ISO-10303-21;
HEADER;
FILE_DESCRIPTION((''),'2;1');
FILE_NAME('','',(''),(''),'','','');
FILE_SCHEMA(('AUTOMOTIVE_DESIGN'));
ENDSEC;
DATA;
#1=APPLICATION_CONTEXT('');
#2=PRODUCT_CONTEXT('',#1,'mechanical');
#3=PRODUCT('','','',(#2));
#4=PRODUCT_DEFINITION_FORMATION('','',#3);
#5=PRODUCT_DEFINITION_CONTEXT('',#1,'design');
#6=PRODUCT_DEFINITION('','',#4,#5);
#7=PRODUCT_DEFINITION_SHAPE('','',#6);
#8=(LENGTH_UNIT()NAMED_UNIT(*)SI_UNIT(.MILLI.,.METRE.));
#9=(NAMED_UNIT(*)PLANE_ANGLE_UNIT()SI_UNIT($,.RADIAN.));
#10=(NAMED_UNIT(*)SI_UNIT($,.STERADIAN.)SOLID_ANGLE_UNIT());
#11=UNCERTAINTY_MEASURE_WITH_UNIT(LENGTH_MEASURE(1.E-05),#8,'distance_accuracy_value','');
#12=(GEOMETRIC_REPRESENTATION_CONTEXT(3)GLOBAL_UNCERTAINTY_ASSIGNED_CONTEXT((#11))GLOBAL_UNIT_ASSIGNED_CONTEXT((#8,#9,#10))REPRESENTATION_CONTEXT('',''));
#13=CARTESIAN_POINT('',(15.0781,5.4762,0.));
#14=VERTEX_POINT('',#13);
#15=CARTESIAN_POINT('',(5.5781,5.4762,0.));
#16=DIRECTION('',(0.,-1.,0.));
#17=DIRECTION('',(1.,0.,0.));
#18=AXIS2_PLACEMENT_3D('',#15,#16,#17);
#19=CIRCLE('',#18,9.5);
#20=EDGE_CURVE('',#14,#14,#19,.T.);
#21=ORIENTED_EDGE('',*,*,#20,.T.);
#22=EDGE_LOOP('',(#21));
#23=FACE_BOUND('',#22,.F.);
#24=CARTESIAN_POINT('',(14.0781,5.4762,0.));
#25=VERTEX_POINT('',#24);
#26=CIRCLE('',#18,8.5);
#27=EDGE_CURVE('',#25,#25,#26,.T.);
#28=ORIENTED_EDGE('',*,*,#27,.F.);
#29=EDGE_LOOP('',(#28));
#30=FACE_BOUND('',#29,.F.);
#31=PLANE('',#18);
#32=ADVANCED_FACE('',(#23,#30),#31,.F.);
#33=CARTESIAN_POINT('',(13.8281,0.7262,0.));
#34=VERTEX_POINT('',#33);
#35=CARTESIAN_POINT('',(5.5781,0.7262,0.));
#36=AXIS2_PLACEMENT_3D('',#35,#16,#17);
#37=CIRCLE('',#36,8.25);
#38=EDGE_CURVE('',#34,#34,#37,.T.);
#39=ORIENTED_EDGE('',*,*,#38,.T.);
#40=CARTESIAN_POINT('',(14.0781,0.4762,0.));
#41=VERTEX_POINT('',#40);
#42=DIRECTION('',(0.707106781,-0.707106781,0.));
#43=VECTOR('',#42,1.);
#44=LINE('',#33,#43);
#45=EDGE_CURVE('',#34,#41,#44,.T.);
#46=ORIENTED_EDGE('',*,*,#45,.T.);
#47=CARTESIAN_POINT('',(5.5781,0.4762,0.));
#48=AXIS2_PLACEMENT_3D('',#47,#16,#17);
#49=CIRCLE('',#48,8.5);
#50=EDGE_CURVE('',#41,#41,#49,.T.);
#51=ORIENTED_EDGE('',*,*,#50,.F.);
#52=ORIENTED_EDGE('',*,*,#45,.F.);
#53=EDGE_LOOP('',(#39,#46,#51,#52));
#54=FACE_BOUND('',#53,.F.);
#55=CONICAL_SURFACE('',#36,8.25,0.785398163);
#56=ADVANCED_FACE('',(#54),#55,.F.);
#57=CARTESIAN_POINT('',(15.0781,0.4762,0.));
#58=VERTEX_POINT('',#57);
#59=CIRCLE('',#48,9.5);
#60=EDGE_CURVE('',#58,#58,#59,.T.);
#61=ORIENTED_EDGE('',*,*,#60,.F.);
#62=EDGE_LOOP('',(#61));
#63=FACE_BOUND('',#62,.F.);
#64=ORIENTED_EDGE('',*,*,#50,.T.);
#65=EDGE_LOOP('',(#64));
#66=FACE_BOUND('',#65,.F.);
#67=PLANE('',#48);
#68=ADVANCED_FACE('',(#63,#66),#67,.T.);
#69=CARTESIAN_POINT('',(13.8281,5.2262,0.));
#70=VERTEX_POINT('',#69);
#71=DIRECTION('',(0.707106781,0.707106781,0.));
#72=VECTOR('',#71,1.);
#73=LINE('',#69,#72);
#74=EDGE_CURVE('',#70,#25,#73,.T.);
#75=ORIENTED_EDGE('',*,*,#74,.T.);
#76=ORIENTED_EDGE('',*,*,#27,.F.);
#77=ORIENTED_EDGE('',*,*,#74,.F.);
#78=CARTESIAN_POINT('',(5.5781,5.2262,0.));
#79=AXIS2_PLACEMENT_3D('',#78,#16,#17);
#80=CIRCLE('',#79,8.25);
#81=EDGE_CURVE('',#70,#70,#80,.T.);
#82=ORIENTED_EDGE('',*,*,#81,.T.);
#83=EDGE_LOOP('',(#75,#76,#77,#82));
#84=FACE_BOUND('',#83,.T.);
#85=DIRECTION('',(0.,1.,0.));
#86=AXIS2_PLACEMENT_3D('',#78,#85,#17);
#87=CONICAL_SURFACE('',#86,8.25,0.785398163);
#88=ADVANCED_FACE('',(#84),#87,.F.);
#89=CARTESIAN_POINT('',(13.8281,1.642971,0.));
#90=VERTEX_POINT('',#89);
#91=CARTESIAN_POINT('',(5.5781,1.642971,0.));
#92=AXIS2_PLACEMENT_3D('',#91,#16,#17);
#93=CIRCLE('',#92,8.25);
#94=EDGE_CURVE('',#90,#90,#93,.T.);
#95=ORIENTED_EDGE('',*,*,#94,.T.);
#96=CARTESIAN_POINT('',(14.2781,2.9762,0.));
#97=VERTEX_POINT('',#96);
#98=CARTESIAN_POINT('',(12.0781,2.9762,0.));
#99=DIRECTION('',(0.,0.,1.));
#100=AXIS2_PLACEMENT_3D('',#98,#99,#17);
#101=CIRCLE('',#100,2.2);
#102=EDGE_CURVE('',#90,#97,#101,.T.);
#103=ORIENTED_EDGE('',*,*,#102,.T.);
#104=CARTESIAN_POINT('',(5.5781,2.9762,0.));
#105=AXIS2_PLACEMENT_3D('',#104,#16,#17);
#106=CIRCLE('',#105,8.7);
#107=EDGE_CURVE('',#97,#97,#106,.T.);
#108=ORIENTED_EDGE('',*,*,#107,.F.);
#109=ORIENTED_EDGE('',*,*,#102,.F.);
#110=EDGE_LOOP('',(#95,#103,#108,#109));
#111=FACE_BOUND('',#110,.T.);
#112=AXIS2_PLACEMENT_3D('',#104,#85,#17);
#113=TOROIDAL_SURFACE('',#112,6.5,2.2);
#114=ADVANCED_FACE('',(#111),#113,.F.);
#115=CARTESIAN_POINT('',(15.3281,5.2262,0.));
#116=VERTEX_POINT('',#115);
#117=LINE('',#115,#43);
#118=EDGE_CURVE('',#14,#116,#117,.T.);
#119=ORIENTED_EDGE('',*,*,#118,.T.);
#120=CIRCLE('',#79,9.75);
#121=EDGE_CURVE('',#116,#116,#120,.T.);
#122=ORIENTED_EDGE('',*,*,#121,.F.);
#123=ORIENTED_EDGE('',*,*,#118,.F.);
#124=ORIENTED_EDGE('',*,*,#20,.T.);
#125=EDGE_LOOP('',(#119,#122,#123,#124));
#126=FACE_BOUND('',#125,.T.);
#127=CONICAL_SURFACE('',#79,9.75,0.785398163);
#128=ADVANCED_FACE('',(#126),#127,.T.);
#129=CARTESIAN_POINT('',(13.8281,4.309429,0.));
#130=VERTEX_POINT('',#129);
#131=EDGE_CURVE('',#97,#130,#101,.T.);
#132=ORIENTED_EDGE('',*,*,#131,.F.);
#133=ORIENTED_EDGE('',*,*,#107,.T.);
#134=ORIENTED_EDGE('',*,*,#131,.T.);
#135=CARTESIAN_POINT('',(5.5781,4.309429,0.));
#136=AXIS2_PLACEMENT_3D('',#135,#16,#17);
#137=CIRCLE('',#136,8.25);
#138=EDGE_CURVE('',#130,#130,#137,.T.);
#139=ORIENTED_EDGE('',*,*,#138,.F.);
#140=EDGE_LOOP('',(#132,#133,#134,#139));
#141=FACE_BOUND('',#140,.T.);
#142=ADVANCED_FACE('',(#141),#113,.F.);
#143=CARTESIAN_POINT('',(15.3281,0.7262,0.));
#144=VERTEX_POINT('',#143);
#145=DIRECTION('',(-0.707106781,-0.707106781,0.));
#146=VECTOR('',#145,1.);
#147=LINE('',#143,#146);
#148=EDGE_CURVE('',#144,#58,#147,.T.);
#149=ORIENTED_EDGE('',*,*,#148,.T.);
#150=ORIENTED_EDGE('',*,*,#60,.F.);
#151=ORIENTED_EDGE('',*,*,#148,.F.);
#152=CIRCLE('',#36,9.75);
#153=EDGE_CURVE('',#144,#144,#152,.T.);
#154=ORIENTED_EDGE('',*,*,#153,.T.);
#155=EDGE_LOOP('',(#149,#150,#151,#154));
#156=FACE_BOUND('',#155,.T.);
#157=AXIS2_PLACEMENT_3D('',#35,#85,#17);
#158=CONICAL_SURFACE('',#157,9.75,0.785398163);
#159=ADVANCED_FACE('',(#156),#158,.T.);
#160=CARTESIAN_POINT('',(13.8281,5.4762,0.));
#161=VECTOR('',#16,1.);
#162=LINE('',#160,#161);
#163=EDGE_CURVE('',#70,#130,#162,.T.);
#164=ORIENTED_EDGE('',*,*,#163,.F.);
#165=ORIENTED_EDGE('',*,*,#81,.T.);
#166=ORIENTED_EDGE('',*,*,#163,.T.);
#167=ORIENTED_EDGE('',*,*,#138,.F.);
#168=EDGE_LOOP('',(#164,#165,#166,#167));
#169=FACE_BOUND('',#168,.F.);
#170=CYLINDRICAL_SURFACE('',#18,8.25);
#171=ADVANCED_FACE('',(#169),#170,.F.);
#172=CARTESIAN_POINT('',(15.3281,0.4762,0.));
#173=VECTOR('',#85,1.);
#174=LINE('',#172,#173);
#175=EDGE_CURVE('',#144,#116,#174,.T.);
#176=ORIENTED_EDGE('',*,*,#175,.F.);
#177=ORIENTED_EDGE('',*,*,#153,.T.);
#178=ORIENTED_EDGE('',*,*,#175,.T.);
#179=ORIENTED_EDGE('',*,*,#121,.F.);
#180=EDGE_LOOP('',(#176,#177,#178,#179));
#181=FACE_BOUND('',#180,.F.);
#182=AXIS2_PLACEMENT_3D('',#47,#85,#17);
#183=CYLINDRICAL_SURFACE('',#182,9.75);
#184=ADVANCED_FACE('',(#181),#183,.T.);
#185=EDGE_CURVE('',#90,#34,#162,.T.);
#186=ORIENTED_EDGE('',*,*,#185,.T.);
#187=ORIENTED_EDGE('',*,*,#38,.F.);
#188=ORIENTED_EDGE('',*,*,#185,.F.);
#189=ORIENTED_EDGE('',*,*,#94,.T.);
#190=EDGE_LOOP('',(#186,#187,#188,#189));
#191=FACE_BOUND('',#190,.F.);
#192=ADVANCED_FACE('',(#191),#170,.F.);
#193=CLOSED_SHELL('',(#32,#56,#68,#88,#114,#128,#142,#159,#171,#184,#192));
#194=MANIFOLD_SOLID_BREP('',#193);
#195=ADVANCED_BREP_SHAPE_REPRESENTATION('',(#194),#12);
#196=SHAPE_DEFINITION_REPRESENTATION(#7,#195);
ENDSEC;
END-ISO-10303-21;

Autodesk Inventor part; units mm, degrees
ref_plane "YZ Plane" through (0, 0, 0) normal (1, 0, 0) x (0, 1, 0)
ref_plane "XZ Plane" through (0, 0, 0) normal (0, 1, 0) x (-1, 0, 0)
ref_plane "XY Plane" through (0, 0, 0) normal (0, 0, 1) x (1, 0, 0)
sketch "Sketch1" plane through (0, 0, 0) normal (0, 0, 1) x (1, 0, 0)
  line L0 (9.5781, 5.4762) -> (1.5781, 5.4762) construction
  line L1 (9.5781, 0.4762) -> (1.5781, 0.4762) construction
  line L2 (13.8281, 0.4762) -> (15.3281, 0.4762)
  line L3 (15.3281, 0.4762) -> (15.3281, 5.4762)
  line L4 (15.3281, 5.4762) -> (13.8281, 5.4762)
  line L5 (13.8281, 5.4762) -> (13.8281, 0.4762)
  line L6 (5.5781, 5.4762) -> (5.5781, 0.4762) construction
  line L7 (15.3281, 2.9762) -> (5.5781, 2.9762) construction
  circle A0 centre (12.0781, 2.9762) radius 2.2
  point P0 (0, 0)
  point P1 (13.8281, 4.3094)
  point P2 (13.8281, 1.643)
  point P3 (3.0119, 0.4762)
  dimension "d1" = 5
  dimension "d2" = 19.5
  dimension "d3" = 4.4
  dimension "d4" = 1.75
  dimension "d5" = 1.5
revolve "Revolution1" add sketch "Sketch1" angle 360 about axis through (5.5781, 5.4762, 0) along (0, -1, 0) contours L5 A0 L4 L3 L2
chamfer "Chamfer1" distance 0.25 angle 45 4 edges at (-4.1719, 5.4762, 0) (-2.6719, 5.4762, 0) (-4.1719, 0.4762, 0) (-2.6719, 0.4762, 0)
equation "\"d2\" = do"
equation "\"do\" = 19.5"
properties part number "Outer_Ring"
